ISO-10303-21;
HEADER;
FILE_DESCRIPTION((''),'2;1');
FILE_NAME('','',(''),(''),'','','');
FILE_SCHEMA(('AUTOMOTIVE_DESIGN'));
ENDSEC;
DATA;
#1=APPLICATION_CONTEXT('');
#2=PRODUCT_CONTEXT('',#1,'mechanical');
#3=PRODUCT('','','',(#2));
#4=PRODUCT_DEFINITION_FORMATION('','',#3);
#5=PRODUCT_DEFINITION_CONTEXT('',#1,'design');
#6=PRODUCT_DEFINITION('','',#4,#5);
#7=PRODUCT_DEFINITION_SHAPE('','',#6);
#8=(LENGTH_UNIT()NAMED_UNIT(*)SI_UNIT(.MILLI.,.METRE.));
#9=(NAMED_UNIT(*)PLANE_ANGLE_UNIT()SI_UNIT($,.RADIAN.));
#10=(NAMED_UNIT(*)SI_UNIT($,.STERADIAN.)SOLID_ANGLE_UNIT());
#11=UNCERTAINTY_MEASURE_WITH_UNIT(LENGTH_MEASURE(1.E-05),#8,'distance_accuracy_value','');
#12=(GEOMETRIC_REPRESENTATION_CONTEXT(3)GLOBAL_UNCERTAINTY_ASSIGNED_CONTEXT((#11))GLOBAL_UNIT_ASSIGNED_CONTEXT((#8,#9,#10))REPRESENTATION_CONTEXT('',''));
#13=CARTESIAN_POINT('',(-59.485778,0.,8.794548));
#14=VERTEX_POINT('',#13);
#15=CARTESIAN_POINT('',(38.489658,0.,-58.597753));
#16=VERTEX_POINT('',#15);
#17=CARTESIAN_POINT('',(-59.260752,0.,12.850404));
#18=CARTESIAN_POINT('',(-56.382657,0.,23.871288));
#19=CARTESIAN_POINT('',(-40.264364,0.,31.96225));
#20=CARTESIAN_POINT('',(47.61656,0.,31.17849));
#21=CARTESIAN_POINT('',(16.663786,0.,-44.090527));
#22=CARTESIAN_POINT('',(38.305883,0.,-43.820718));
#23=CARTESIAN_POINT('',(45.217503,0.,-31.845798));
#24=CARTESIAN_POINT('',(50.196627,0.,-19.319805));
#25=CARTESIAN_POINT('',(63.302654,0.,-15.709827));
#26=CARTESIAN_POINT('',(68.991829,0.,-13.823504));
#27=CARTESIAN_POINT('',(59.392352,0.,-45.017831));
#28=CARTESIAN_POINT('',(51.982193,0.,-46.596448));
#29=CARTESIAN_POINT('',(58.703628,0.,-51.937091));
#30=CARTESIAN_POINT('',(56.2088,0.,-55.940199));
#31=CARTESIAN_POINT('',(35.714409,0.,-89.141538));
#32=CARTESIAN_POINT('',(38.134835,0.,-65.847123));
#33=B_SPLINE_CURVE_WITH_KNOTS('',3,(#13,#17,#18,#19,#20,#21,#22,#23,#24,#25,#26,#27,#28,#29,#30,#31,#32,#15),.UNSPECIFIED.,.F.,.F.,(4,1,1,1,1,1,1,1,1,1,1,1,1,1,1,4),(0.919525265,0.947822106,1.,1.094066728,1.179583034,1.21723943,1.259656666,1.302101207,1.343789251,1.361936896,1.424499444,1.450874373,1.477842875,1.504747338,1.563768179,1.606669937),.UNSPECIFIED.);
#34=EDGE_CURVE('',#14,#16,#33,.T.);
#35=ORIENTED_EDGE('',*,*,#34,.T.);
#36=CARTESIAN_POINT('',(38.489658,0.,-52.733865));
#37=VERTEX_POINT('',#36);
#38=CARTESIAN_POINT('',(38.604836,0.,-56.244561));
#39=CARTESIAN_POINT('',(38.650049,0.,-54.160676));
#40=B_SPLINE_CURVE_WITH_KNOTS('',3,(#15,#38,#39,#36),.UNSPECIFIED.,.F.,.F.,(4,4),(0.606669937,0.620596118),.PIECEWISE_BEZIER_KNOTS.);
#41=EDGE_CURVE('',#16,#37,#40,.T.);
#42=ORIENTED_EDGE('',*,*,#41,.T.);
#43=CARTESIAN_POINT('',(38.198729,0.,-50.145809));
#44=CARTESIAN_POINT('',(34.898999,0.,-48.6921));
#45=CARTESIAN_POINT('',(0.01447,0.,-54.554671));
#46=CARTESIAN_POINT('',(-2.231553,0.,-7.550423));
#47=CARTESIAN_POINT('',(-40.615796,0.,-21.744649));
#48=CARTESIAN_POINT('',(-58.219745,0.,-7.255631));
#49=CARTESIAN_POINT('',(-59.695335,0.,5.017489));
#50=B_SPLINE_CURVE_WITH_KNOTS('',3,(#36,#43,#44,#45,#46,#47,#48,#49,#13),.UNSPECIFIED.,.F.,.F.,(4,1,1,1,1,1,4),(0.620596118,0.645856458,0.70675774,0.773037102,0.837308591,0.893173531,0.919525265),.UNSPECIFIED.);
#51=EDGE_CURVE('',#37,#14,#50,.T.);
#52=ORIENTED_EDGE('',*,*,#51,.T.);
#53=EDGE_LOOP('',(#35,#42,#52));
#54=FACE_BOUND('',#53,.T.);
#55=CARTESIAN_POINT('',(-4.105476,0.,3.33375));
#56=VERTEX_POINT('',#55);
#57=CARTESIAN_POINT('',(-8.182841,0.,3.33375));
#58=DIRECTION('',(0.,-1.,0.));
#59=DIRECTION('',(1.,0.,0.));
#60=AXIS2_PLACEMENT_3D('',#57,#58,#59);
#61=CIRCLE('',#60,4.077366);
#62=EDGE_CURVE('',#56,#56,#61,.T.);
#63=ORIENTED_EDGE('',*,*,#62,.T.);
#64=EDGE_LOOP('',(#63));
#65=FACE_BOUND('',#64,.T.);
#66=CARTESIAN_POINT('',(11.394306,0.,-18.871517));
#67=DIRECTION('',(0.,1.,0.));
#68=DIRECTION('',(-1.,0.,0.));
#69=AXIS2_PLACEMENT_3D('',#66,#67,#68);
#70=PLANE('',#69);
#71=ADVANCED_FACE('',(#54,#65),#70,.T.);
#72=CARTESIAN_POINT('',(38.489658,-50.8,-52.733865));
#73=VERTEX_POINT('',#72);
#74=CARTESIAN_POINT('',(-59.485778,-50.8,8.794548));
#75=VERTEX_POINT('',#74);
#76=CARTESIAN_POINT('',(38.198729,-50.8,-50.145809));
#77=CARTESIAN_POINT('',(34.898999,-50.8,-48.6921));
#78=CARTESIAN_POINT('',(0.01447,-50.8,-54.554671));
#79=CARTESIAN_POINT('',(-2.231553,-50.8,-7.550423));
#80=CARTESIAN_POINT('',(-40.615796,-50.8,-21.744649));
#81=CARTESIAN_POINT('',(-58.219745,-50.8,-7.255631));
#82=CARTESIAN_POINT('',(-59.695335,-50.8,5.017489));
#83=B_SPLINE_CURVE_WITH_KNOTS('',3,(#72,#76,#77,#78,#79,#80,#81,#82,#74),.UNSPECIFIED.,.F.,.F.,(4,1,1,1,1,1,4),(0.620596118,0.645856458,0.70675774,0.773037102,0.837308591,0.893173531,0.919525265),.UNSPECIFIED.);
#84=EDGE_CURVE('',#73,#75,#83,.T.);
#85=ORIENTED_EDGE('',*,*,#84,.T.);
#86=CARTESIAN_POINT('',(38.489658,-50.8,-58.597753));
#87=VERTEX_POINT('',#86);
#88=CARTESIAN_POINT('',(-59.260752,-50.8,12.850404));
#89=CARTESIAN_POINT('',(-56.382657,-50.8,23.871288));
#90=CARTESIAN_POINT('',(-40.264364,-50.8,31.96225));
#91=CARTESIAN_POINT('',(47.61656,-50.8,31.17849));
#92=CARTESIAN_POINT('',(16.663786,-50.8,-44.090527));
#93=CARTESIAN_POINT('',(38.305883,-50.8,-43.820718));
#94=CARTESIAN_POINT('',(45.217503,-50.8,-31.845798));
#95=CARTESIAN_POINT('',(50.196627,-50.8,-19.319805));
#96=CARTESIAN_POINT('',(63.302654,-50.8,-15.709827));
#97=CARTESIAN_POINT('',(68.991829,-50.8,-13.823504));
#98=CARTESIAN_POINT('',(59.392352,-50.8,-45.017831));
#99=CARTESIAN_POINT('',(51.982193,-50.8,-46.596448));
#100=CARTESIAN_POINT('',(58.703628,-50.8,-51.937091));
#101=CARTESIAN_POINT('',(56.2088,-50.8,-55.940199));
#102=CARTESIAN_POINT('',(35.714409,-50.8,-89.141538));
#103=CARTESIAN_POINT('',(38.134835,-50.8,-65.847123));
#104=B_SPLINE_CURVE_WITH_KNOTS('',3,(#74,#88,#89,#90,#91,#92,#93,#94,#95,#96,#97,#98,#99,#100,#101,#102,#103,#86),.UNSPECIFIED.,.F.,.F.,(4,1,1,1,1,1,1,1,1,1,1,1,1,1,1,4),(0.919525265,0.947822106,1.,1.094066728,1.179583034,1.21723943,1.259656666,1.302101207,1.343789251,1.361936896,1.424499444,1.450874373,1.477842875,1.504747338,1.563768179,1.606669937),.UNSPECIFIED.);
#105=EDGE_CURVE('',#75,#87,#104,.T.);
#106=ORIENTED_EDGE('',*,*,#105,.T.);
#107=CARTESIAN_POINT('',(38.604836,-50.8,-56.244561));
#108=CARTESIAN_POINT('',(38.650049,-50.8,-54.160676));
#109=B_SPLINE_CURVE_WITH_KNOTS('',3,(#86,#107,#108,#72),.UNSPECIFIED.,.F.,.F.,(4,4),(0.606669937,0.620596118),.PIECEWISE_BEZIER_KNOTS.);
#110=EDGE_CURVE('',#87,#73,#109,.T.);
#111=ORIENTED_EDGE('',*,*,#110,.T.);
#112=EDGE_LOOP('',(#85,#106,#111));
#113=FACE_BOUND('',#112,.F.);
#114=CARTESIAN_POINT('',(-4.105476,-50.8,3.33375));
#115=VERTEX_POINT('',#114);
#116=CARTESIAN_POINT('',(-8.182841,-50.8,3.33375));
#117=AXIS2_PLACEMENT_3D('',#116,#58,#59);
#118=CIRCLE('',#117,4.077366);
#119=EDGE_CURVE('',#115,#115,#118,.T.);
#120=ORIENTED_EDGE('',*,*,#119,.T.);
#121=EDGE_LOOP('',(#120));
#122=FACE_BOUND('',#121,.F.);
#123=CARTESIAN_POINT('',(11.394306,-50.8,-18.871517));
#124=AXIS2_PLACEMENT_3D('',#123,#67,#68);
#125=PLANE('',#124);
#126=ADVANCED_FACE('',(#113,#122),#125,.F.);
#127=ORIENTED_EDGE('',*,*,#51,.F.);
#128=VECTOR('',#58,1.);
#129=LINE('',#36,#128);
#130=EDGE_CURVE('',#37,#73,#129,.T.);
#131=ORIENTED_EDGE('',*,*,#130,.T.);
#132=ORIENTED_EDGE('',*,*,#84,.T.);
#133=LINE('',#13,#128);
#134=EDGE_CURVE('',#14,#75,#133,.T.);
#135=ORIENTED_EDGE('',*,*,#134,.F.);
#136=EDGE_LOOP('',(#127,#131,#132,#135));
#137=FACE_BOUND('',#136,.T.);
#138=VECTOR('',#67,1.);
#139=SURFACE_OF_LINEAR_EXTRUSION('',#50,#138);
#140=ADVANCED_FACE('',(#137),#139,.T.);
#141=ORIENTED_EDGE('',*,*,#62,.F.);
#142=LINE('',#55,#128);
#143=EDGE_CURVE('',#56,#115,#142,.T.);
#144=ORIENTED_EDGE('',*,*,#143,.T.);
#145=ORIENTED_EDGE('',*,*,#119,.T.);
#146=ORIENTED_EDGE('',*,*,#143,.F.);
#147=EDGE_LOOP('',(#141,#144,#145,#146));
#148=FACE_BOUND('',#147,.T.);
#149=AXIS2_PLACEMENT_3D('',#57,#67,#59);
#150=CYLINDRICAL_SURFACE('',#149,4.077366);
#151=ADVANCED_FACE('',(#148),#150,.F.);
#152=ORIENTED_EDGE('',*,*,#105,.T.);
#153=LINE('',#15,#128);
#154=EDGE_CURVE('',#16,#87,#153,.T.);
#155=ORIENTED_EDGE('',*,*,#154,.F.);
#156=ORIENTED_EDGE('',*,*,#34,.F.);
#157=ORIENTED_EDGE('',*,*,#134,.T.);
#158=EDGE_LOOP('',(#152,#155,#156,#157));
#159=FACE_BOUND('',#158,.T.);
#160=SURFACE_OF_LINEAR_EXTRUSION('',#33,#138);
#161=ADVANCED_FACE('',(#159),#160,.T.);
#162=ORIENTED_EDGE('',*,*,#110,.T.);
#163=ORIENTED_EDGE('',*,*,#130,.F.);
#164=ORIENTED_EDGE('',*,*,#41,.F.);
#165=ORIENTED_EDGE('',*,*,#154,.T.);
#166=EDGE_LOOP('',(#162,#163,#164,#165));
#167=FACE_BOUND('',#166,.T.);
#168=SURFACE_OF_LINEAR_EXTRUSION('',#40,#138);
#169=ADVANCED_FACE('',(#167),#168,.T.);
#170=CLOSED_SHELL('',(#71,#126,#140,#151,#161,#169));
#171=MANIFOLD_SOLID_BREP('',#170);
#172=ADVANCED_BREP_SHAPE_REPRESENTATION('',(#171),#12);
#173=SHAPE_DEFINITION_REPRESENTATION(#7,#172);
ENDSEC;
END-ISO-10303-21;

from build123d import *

# Parameters (mm, degrees)
F0_R     = 4.0773656001
F1_DEPTH = 50.8


with BuildPart() as f1:
    # F0 (on Front) → F1 (new body)
    with BuildSketch(Plane.XZ):
        with BuildLine():
            add(Edge.make_bspline(
                [(-38.7927293777, 29.0945470333), (-20.4791419493, 31.7857970057), (47.6165601075, 31.1784896859), (16.6637863279, -44.0905273017), (38.3058827915, -43.8207177488), (45.2175025038, -31.8457977381), (50.1966274375, -19.319805408), (63.3026543786, -15.7098267951), (68.9918286672, -13.8235037121), (59.3923519596, -45.017830677), (51.9821928097, -46.5964479773), (58.7036277334, -51.9370908282), (56.2087999402, -55.9401989452), (35.714408653, -89.1415382368), (38.1348354269, -65.8471233398), (38.4896583855, -58.5977527338)],
                knots=[0, 0, 0, 0, 0.0940667285, 0.179583034, 0.2172394298, 0.2596566666, 0.3021012074, 0.3437892515, 0.3619368965, 0.424499444, 0.4508743731, 0.4778428751, 0.5047473384, 0.5637681791, 0.6066699372, 0.6066699372, 0.6066699372, 0.6066699372], degree=3))
            add(Edge.make_bspline(
                [(-59.4857775427, 8.794547811), (-59.2607521657, 12.8504041835), (-56.3826567128, 23.8712878257), (-48.9510970638, 27.6017370166), (-38.7927293777, 29.0945470333)],
                knots=[0.9195252648, 0.9195252648, 0.9195252648, 0.9195252648, 0.9478221065, 1, 1, 1, 1], degree=3))
            add(Edge.make_bspline(
                [(38.4896583855, -52.7338646352), (38.1987294849, -50.1458085641), (34.8989992442, -48.6921000755), (0.0144696198, -54.5546710387), (-2.2315525746, -7.5504226872), (-40.6157964946, -21.7446488422), (-58.2197446071, -7.2556310603), (-59.6953348092, 5.0174885922), (-59.4857775427, 8.794547811)],
                knots=[0.6205961178, 0.6205961178, 0.6205961178, 0.6205961178, 0.6458564581, 0.7067577402, 0.7730371019, 0.8373085906, 0.8931735312, 0.9195252648, 0.9195252648, 0.9195252648, 0.9195252648], degree=3))
            add(Edge.make_bspline(
                [(38.4896583855, -58.5977527338), (38.6048361499, -56.2445614326), (38.6500492735, -54.1606758271), (38.4896583855, -52.7338646352)],
                knots=[0.6066699372, 0.6066699372, 0.6066699372, 0.6066699372, 0.6205961178, 0.6205961178, 0.6205961178, 0.6205961178], degree=3))
        make_face()
        with Locations((-8.1828413531, 3.3337501809)):
            Circle(F0_R, mode=Mode.SUBTRACT)
    extrude(amount=F1_DEPTH)


solid = f1.part
